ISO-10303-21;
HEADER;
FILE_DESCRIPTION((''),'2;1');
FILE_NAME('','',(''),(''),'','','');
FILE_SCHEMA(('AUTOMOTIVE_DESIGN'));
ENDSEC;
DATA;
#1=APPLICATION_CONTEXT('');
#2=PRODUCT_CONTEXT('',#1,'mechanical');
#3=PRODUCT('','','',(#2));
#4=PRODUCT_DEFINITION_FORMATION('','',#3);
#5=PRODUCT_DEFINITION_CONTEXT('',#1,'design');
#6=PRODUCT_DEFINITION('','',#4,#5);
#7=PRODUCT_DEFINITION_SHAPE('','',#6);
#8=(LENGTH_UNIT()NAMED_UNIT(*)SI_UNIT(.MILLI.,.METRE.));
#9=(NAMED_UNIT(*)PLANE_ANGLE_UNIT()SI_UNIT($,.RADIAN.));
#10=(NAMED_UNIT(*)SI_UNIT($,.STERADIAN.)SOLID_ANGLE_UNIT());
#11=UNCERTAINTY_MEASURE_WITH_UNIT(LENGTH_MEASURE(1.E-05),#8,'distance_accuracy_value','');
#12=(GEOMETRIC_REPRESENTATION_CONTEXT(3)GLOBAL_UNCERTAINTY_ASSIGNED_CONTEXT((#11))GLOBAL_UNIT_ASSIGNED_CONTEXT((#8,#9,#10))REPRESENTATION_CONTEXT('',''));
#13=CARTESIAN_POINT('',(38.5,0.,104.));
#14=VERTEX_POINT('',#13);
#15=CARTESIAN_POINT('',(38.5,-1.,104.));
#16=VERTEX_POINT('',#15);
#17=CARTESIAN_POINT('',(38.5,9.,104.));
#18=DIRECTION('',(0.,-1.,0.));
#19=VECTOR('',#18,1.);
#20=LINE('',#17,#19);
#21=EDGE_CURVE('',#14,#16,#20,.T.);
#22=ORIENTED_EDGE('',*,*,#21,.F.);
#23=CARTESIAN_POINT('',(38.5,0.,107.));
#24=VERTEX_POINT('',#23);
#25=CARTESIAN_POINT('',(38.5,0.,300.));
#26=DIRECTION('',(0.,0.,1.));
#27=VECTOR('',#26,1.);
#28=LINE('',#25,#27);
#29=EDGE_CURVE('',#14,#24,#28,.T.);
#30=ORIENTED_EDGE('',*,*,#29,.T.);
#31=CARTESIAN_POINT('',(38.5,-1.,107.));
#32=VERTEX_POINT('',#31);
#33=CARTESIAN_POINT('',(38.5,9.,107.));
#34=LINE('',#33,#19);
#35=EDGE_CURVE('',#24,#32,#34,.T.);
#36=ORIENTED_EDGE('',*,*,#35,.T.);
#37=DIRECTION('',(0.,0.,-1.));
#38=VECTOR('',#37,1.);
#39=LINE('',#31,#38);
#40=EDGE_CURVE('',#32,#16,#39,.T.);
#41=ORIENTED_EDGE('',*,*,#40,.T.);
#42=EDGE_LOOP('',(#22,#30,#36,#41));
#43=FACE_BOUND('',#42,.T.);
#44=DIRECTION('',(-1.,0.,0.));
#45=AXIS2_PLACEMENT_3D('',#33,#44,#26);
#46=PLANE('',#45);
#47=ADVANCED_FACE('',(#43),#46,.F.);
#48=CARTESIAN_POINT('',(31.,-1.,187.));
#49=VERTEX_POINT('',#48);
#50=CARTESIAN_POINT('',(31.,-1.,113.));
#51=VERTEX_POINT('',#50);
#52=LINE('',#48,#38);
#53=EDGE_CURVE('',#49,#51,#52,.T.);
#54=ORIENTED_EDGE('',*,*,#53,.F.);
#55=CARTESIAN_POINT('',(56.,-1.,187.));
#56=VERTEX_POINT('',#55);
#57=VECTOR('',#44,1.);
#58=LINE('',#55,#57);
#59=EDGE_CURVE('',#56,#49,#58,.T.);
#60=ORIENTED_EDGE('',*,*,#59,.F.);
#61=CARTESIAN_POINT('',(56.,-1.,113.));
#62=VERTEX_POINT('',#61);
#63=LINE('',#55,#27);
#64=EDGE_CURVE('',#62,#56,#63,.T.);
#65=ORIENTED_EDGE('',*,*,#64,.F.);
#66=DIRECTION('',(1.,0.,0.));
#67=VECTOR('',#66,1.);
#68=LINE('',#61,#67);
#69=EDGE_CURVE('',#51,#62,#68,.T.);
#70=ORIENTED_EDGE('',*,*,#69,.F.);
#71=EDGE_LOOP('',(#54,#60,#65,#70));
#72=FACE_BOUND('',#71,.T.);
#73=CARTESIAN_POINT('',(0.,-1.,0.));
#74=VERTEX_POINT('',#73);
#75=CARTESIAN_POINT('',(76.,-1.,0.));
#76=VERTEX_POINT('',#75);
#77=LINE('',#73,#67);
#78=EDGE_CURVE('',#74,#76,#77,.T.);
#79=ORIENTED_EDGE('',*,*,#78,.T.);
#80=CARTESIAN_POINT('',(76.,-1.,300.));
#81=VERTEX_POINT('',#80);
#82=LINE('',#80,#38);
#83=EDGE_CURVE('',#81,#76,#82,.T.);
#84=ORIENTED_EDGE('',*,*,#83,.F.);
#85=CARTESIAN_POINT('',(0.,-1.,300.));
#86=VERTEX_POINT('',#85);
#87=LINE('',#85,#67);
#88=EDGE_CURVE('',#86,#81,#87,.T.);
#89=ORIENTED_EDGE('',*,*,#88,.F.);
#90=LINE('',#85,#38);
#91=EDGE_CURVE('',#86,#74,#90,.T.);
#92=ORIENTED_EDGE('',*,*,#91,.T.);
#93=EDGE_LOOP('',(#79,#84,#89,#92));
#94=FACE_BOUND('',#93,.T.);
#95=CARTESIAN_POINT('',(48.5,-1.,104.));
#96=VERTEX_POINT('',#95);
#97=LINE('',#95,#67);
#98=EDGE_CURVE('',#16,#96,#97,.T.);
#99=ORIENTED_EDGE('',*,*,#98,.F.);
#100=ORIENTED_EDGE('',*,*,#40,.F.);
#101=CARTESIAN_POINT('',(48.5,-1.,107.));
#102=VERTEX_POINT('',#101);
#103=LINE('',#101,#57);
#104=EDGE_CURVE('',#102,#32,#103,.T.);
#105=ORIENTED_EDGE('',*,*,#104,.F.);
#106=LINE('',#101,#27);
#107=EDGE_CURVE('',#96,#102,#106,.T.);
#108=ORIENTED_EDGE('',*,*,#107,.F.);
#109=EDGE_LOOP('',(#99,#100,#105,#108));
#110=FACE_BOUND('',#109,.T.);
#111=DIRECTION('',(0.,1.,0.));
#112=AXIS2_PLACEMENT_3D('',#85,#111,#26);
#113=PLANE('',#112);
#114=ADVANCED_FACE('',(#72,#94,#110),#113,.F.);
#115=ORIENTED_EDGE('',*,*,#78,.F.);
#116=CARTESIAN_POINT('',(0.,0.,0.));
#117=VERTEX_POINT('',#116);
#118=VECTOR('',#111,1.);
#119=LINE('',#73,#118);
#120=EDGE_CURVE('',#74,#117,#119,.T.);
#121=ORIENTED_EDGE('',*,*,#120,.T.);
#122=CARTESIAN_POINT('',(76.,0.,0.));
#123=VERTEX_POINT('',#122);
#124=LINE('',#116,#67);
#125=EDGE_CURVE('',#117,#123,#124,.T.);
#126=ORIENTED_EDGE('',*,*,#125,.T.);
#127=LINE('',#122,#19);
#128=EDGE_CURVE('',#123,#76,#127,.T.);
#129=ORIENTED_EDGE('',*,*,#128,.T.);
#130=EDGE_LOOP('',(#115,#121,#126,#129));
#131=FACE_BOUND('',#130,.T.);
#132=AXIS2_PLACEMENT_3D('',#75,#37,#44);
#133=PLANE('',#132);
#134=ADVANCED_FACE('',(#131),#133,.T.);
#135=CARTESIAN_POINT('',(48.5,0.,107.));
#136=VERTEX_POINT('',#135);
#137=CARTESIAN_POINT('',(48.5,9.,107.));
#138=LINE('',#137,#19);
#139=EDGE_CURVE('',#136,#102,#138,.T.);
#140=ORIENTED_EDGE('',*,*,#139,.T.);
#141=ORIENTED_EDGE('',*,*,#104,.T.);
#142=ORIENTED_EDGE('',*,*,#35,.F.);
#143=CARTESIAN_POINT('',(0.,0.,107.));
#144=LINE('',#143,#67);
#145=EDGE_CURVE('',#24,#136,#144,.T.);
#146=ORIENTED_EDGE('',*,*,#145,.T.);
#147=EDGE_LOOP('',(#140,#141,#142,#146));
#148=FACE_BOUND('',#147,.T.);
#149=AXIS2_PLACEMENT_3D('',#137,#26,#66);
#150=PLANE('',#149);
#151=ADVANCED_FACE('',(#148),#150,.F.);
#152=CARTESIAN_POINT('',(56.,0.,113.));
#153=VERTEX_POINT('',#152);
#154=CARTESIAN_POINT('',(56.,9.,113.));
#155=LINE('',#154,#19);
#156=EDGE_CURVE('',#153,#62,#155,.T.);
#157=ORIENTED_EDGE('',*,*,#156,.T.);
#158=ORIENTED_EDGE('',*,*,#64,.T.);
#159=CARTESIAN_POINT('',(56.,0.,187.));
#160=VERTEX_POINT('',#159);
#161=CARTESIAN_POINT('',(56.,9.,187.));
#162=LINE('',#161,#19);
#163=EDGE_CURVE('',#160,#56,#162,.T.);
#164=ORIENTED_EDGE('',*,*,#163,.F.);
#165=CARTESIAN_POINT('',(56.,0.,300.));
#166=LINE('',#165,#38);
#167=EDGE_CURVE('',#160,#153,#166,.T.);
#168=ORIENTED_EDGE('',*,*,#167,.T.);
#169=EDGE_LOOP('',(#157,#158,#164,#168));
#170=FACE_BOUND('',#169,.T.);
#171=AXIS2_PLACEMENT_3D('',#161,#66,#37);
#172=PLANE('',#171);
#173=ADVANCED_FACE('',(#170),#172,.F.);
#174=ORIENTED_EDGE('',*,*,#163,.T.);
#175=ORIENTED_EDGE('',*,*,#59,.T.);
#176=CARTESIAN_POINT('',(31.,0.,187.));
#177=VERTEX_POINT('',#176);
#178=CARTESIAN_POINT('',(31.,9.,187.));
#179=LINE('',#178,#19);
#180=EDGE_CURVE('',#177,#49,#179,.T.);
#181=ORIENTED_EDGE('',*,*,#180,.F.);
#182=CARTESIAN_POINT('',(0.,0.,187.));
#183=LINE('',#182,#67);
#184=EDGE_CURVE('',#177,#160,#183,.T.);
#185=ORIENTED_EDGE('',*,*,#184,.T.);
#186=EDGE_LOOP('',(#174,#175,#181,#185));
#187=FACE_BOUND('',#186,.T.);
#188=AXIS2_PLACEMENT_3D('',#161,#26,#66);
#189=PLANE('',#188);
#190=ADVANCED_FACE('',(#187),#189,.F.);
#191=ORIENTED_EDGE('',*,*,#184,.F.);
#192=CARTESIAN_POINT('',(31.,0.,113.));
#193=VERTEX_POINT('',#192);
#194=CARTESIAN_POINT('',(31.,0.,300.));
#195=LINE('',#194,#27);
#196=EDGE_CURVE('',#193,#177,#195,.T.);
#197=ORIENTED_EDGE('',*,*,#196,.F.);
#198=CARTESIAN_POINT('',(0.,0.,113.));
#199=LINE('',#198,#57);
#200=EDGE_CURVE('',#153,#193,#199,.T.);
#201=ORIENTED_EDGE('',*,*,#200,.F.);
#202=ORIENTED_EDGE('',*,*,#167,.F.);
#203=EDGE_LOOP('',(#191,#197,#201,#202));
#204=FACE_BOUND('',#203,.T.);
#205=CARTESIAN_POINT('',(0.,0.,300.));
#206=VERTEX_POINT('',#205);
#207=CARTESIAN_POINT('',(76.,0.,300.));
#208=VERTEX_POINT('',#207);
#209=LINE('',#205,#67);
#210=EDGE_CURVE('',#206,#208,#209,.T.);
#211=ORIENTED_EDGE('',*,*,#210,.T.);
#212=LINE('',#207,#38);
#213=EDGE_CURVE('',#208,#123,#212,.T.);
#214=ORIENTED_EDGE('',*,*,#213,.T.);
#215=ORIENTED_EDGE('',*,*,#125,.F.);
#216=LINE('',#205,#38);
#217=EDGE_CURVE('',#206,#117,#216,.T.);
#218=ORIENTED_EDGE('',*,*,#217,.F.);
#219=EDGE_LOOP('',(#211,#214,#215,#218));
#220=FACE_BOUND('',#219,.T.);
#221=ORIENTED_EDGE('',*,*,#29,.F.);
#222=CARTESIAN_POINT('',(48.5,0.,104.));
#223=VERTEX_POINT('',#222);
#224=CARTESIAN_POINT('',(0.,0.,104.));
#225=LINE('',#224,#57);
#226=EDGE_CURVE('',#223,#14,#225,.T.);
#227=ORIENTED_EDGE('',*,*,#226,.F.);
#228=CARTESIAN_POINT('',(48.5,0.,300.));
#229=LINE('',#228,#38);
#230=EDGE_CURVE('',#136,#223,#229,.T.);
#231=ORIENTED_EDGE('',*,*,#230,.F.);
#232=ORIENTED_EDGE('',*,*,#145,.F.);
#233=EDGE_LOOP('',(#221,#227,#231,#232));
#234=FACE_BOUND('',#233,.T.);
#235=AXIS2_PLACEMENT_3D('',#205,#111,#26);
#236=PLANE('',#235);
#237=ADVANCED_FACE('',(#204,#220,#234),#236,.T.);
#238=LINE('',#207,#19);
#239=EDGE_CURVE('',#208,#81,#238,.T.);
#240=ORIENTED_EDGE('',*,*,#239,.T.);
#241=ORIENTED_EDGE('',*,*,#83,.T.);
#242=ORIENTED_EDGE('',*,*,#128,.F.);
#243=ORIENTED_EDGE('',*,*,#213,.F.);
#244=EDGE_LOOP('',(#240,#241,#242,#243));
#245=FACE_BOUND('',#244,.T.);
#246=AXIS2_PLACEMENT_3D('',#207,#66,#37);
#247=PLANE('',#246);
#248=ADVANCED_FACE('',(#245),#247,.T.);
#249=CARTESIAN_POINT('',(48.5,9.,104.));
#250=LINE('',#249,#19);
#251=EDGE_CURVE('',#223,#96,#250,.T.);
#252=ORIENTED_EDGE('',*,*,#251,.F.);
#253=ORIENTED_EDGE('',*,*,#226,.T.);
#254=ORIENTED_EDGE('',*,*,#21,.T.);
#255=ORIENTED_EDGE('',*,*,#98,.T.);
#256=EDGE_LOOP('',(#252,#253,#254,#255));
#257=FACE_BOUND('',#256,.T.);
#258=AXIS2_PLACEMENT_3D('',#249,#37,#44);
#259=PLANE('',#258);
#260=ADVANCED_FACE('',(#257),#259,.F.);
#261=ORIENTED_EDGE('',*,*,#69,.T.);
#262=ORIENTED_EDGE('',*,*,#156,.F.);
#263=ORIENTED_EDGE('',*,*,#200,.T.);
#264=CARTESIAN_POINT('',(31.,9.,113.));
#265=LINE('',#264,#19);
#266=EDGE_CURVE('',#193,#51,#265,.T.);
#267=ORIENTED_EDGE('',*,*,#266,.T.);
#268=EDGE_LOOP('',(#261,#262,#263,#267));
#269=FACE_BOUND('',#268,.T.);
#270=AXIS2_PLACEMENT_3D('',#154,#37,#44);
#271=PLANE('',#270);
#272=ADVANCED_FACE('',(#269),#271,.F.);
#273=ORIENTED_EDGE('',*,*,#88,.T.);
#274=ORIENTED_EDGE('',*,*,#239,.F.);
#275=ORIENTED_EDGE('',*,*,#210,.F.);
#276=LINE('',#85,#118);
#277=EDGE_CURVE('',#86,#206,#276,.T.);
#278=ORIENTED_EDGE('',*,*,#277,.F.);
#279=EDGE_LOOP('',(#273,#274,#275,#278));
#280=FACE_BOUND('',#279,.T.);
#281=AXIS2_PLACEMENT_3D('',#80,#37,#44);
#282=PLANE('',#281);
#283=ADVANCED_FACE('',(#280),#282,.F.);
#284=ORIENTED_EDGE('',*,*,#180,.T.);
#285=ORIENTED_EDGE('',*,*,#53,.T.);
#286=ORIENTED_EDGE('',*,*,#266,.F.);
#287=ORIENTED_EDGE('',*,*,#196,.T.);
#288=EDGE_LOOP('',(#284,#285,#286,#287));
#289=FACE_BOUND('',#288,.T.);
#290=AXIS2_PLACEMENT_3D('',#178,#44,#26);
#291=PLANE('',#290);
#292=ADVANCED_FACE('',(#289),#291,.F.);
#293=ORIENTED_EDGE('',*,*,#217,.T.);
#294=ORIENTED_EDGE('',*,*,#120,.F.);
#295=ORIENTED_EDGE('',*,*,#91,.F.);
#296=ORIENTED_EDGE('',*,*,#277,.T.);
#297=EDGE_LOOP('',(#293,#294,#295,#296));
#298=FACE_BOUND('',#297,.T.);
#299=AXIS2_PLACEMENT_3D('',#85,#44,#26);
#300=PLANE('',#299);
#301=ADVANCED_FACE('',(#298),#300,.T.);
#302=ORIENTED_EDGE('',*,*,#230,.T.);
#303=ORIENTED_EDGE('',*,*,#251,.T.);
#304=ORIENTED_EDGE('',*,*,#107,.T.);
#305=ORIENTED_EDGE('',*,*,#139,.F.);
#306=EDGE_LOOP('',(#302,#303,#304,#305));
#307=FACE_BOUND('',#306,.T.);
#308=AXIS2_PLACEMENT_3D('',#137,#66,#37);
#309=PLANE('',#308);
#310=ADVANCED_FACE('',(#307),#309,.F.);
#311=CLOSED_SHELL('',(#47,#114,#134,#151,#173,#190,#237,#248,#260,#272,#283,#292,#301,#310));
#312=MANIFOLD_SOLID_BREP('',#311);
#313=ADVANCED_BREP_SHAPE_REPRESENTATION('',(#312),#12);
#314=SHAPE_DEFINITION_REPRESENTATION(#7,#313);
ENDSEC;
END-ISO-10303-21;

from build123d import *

# Parameters (mm, degrees)
SKIZZE1_W                       = 76
SKIZZE1_H                       = 1
LINEAR_AUSTRAGEN_D_NN1_DEPTH    = 300
SKIZZE2_W                       = 25
SKIZZE2_H                       = 74
SKIZZE2_W_2                     = 10
SKIZZE2_H_2                     = 3
SCHNITT_LINEAR_AUSTRAGEN1_DEPTH = 10


with BuildPart() as part:
    # Skizze1 → Linear-Austragen-Dünn1 (new body)
    with BuildSketch(Plane.XY):
        with Locations((38, -0.5)):
            Rectangle(SKIZZE1_W, SKIZZE1_H)
    extrude(amount=LINEAR_AUSTRAGEN_D_NN1_DEPTH)

    # Skizze2 → Schnitt-Linear austragen1 (cut)
    with BuildSketch(Plane.XZ.offset(1)):
        with Locations((43.5, 150)):
            Rectangle(SKIZZE2_W, SKIZZE2_H)
        with Locations((43.5, 105.5)):
            Rectangle(SKIZZE2_W_2, SKIZZE2_H_2)
    extrude(amount=-SCHNITT_LINEAR_AUSTRAGEN1_DEPTH, mode=Mode.SUBTRACT)


solid = part.part
